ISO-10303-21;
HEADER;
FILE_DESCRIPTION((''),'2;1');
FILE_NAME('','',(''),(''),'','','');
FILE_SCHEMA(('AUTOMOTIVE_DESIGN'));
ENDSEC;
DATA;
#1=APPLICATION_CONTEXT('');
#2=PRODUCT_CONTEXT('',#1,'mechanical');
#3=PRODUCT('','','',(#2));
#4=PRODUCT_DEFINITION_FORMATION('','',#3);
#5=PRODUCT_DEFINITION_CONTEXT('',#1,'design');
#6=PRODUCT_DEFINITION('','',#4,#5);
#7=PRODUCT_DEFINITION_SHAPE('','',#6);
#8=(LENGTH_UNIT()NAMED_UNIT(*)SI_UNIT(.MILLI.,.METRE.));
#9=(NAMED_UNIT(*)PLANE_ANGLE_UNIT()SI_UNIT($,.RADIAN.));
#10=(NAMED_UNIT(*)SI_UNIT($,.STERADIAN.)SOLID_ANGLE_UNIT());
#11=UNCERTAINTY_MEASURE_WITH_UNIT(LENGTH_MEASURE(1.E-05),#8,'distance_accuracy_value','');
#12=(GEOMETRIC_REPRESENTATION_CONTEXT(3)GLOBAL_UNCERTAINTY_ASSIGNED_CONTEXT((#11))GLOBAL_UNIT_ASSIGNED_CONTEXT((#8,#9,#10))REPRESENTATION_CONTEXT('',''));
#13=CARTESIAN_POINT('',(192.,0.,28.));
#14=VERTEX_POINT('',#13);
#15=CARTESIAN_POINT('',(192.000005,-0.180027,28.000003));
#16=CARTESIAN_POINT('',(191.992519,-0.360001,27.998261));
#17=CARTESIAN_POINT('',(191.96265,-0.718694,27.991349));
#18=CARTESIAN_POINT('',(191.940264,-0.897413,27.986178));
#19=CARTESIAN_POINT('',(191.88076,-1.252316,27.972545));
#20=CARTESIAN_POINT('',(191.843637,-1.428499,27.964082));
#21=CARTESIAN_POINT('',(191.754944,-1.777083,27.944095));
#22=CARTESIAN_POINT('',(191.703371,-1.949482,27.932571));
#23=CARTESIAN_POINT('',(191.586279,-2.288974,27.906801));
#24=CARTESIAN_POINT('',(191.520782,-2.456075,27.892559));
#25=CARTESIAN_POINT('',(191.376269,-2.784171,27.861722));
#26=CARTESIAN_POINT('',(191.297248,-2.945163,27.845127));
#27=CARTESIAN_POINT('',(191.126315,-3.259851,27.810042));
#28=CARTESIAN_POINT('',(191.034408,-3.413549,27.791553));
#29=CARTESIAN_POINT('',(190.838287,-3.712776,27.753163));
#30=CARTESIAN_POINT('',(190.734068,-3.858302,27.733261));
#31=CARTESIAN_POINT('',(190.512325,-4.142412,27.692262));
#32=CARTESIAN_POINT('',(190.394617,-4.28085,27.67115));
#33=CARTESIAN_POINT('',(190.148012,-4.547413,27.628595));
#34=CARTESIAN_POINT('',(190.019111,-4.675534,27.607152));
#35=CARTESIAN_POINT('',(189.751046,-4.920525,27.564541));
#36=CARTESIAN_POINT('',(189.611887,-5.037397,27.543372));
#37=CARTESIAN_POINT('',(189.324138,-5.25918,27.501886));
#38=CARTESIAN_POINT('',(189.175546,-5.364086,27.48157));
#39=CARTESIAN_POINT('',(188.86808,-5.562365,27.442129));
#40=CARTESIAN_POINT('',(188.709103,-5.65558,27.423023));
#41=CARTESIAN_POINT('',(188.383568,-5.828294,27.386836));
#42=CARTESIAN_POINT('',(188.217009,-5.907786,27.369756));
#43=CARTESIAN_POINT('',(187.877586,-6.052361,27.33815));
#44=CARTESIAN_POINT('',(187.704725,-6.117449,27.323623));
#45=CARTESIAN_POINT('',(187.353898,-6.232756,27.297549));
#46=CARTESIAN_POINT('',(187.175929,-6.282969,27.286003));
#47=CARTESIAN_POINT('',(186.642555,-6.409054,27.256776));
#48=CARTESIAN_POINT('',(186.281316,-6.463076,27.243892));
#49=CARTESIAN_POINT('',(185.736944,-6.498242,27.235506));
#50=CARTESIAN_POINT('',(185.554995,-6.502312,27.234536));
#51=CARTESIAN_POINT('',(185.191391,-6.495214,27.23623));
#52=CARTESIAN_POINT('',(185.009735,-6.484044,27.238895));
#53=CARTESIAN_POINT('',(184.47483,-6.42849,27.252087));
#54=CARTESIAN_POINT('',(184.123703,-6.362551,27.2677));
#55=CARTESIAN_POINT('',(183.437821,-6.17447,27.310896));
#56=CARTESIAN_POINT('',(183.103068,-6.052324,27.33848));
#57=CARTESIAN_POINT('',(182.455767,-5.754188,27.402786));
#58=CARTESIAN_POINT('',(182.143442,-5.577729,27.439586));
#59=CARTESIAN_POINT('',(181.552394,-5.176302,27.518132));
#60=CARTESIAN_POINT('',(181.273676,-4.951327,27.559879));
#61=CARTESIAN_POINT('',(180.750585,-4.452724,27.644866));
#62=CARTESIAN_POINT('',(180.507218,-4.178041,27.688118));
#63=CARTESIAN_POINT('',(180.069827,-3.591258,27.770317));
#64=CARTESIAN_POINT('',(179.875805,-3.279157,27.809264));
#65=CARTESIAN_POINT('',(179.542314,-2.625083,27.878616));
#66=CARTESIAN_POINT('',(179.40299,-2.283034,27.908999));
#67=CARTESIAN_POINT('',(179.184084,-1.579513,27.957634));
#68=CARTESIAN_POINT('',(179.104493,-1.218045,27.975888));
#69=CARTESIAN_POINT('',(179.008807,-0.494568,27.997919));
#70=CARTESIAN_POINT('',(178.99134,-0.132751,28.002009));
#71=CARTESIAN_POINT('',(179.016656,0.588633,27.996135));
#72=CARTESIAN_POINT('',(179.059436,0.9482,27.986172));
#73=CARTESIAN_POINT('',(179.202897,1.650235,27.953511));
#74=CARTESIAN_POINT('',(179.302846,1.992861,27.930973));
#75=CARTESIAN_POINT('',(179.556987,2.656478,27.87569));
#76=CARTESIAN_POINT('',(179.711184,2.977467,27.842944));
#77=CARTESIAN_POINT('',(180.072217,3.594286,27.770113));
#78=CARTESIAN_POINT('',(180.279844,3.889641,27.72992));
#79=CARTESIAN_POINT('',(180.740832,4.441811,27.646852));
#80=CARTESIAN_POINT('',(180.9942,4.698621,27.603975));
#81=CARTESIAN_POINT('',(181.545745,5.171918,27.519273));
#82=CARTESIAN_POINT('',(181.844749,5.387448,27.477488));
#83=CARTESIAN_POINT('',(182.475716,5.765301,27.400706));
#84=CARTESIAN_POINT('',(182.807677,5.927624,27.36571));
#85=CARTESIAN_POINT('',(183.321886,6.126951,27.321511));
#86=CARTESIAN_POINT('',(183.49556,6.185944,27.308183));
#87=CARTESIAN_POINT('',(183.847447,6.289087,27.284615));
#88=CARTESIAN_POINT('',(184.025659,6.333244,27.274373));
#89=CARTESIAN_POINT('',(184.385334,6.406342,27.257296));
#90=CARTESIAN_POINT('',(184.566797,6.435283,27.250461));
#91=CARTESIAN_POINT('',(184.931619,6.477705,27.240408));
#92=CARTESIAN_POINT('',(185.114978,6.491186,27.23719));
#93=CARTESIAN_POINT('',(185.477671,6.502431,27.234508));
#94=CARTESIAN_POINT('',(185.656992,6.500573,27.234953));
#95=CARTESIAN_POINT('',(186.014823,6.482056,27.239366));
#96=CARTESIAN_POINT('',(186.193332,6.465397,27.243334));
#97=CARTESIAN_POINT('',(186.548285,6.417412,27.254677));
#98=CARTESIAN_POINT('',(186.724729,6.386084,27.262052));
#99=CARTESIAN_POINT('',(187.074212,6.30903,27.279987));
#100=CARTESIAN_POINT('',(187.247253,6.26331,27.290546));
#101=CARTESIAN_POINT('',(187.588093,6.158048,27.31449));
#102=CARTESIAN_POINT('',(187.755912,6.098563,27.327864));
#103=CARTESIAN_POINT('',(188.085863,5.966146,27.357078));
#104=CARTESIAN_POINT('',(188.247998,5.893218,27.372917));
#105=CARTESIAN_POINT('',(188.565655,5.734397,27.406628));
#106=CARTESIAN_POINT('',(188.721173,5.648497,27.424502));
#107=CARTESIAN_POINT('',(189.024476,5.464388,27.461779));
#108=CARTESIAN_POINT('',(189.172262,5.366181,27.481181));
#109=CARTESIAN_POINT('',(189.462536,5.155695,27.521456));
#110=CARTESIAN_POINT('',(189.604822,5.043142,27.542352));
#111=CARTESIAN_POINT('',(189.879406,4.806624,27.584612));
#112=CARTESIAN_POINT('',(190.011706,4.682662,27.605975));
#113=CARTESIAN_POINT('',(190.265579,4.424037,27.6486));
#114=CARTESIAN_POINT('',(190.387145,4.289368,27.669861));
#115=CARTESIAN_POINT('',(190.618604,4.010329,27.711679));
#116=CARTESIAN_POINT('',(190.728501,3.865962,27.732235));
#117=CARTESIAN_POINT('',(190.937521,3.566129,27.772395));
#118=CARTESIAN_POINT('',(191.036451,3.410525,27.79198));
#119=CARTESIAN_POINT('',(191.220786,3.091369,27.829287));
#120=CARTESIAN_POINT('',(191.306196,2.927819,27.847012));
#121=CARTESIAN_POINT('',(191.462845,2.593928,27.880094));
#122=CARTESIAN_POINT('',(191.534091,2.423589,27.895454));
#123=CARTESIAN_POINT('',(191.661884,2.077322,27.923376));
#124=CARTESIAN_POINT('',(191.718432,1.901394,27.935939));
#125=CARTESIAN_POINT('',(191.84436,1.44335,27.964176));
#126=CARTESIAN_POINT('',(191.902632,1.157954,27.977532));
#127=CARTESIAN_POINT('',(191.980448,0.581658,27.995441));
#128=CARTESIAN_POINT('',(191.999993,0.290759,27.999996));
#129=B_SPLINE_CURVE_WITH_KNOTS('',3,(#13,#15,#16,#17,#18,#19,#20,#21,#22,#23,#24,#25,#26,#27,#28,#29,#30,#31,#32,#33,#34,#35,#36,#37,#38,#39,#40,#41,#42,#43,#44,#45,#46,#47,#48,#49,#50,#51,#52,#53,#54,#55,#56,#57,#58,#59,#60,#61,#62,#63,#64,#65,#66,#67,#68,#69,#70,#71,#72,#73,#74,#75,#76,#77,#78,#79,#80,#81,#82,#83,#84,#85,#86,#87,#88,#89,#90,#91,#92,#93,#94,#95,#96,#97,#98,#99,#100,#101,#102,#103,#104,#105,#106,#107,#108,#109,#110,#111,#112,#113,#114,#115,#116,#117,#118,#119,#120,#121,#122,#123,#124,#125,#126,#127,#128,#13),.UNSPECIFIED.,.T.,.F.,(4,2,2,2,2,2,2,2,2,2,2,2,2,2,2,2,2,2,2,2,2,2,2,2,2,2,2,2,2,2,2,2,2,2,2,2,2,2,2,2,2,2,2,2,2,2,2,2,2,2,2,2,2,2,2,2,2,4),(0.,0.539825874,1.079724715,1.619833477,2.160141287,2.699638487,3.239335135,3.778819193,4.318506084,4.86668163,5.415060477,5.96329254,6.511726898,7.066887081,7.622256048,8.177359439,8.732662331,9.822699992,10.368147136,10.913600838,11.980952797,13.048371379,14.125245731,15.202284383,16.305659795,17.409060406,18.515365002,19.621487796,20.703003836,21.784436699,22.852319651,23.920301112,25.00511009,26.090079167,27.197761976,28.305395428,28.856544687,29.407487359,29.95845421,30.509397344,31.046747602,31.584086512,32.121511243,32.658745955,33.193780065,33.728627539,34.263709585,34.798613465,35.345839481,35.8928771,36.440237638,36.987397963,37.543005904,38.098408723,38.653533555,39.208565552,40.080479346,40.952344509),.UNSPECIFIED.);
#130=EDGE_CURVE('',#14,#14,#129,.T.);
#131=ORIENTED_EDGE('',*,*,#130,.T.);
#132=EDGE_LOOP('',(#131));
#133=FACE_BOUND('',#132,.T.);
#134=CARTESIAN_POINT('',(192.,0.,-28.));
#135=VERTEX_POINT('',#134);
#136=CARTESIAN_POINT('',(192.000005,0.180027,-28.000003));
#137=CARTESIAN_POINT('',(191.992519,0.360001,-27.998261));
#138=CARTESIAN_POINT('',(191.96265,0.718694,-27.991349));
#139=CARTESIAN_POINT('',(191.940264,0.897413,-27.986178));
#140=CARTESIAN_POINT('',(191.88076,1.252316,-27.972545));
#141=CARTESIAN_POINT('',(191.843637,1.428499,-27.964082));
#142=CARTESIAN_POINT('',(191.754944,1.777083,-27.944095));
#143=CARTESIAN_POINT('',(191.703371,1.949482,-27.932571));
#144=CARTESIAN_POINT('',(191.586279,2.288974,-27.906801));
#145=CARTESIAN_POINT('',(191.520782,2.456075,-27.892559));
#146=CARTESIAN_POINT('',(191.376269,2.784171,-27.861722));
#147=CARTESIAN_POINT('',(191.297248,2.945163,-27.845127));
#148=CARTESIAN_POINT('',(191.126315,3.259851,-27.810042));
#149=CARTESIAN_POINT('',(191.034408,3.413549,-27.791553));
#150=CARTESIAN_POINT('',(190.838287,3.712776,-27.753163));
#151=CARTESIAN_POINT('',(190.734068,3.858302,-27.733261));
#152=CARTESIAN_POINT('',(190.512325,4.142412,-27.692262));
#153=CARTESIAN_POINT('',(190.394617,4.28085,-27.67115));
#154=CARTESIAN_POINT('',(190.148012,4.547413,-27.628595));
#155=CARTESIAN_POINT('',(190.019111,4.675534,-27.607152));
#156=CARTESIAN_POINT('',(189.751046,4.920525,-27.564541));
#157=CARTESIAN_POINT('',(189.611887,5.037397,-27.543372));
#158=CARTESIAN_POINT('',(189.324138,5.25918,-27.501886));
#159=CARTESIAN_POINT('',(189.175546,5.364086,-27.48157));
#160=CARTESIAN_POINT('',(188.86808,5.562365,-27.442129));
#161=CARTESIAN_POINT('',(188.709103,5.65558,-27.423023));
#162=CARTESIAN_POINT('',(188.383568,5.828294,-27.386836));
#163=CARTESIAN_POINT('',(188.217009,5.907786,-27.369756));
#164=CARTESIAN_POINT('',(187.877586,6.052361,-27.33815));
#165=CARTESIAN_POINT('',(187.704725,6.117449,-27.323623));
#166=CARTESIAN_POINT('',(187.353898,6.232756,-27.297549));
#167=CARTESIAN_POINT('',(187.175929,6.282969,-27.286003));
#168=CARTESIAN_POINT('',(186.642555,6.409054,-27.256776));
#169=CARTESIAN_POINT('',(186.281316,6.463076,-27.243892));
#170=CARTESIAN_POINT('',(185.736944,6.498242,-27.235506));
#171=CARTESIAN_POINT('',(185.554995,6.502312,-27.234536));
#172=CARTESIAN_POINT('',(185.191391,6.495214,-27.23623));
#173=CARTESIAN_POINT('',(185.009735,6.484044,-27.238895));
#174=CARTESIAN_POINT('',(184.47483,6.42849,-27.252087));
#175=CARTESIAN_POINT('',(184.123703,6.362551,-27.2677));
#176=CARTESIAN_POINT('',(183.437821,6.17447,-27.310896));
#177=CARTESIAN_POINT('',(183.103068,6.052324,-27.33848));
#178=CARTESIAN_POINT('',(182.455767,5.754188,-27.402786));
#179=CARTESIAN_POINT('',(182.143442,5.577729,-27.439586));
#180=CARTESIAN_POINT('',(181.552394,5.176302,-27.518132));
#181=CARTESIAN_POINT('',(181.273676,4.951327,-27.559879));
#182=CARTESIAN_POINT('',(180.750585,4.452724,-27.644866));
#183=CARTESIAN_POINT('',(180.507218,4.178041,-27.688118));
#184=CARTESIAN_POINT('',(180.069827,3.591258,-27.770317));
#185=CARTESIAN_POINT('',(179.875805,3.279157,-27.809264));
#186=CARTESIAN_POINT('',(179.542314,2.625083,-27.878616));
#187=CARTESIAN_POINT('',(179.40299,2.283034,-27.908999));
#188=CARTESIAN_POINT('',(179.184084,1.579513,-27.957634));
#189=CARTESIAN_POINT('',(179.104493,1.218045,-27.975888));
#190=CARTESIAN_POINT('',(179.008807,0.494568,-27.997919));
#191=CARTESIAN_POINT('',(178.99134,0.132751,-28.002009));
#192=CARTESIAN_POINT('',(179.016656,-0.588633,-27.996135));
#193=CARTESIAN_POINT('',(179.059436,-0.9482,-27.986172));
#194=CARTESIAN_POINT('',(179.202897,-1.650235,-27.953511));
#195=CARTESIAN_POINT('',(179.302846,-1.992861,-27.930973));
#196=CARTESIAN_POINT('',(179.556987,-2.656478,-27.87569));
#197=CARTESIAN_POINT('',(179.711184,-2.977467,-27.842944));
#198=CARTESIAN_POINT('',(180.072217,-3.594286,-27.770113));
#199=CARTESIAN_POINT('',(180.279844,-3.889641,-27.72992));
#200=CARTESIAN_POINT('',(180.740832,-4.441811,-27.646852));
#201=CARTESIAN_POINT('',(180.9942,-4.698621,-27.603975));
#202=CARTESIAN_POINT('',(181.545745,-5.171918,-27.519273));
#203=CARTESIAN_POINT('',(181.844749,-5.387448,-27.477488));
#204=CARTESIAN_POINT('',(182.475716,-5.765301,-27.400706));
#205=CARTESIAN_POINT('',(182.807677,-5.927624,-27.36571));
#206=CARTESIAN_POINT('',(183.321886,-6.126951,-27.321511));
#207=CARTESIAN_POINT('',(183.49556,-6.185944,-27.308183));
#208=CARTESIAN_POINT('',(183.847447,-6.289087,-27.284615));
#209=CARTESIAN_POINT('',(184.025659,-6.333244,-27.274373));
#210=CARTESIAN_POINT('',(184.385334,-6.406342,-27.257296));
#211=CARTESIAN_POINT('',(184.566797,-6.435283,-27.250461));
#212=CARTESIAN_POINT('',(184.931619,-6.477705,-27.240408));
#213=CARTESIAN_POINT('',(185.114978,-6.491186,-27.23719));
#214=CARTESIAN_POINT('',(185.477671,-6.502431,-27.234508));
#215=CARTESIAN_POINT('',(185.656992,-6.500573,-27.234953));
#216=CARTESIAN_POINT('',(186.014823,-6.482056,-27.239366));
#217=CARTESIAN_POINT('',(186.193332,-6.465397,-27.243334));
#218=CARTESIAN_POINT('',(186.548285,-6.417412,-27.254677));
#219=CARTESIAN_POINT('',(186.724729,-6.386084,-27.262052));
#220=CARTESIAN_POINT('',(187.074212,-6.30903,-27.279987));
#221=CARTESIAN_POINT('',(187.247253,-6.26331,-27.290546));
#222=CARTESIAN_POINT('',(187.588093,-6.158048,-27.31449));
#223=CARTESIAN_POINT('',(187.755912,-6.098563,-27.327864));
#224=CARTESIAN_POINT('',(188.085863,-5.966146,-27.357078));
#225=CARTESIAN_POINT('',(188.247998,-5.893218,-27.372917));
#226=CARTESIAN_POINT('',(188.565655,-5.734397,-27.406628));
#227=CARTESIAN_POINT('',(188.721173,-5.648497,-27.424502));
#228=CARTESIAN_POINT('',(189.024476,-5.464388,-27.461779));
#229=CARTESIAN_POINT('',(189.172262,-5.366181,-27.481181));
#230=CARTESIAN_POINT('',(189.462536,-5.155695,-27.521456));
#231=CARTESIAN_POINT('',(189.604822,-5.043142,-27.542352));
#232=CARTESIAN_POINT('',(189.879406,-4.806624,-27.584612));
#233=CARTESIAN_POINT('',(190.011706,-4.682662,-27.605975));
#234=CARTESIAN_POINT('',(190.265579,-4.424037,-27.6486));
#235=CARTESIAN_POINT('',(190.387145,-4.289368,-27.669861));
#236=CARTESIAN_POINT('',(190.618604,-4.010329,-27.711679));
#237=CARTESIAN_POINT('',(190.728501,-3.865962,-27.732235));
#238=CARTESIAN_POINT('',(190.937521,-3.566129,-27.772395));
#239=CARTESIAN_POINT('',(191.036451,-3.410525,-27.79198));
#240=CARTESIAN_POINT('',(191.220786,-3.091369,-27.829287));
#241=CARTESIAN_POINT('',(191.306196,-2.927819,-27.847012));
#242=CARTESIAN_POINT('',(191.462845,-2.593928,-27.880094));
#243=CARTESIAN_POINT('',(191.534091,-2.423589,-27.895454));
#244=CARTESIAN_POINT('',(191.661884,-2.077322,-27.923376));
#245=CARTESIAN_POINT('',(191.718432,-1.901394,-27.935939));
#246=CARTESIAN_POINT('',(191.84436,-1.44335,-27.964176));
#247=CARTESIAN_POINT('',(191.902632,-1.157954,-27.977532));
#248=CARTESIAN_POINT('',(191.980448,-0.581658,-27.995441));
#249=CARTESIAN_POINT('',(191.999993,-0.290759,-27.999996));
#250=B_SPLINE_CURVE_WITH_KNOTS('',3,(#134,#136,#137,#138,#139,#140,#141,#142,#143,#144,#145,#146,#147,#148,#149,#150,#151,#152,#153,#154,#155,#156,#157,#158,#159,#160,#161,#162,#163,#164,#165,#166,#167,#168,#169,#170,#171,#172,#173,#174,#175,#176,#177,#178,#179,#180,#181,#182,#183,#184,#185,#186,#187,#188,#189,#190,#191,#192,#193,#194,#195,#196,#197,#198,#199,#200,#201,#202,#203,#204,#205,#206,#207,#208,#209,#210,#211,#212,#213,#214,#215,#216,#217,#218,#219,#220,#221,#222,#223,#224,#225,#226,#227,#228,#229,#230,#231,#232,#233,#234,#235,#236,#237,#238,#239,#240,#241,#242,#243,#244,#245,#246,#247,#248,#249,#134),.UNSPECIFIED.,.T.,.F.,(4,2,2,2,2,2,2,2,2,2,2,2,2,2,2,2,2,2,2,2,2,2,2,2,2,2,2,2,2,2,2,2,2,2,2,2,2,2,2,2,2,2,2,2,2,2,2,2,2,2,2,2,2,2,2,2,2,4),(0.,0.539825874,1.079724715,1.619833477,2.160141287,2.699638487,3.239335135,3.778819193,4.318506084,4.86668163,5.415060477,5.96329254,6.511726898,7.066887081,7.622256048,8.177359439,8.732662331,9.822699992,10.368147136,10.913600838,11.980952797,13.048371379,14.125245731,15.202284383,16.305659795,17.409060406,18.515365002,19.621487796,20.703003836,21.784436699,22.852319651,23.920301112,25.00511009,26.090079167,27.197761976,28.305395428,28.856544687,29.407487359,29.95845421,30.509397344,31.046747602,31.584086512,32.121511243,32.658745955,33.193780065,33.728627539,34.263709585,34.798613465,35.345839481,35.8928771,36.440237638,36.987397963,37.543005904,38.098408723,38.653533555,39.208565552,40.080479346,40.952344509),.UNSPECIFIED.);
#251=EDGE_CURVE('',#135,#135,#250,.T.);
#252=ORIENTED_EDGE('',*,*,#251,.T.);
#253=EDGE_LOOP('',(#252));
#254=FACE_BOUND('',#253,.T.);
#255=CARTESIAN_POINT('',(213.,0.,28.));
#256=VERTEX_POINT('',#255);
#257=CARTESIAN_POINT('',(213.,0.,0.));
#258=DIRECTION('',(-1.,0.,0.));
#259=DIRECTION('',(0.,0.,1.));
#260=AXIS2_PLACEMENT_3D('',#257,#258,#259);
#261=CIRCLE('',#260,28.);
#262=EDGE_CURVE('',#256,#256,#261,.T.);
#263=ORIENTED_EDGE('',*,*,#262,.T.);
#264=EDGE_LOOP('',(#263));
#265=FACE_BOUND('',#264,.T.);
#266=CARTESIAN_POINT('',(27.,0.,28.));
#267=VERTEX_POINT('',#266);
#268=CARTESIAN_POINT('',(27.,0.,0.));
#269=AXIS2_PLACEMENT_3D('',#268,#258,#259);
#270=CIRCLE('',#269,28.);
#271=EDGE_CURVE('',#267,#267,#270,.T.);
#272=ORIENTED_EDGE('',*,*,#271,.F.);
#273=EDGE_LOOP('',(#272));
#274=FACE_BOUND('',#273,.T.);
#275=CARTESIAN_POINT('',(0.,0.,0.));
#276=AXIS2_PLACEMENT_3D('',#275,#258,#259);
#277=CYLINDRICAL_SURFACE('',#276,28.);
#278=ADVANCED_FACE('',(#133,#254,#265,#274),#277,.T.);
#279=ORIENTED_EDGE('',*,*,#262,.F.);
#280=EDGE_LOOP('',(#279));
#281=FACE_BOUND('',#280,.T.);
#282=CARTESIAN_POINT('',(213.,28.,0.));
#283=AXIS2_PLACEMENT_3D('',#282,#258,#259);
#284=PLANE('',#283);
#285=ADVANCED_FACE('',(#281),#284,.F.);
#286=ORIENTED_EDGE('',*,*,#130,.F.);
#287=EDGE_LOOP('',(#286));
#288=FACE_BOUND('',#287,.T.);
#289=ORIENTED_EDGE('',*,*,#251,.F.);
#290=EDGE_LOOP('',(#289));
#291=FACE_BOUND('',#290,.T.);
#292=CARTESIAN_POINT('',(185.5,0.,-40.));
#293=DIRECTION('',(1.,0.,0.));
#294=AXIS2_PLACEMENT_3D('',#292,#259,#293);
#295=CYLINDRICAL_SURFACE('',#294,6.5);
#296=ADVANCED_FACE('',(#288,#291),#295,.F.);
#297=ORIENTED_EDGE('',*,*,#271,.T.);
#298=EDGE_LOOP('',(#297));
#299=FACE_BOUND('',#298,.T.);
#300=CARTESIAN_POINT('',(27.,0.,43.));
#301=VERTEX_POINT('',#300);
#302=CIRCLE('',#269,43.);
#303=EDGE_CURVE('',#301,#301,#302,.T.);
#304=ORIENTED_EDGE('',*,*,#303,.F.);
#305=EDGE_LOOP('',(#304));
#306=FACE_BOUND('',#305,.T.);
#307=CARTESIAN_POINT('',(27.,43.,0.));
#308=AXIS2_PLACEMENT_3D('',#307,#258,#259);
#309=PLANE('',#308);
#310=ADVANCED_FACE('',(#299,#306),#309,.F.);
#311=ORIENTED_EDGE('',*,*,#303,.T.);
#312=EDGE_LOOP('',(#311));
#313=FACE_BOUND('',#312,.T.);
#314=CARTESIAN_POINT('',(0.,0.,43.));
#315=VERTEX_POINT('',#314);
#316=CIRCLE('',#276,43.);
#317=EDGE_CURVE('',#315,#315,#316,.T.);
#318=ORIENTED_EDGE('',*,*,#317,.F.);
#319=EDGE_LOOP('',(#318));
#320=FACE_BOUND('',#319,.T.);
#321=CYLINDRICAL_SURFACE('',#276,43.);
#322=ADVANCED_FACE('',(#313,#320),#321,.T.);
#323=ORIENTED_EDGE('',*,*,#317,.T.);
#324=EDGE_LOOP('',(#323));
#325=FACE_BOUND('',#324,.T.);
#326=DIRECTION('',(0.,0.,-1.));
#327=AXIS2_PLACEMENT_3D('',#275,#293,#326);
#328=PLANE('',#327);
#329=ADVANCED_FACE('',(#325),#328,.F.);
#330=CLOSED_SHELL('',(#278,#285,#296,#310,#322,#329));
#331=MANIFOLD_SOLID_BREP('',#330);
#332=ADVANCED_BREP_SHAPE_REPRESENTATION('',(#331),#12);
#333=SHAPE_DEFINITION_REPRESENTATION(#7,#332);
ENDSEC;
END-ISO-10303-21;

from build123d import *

# Parameters (mm, degrees)
SKETCH3_R          = 6.5
CUT_EXTRUDE1_DEPTH = 40


with BuildPart() as part:
    # Sketch2 → Revolve1 (revolve)
    with BuildSketch(Plane.XY, mode=Mode.PRIVATE) as revolve1_sk:
        Polygon((0, 0), (0, 43), (27, 43), (27, 28), (213, 28), (213, 0), align=None)
    revolve(revolve1_sk.sketch.rotate(Axis((0, 0, 0), (1, 0, 0)), 90), axis=Axis((0, 0, 0), (1, 0, 0)))

    # Sketch3 → Cut-Extrude1 (cut, symmetric)
    with BuildSketch(Plane.XY):
        with Locations((185.5, 0)):
            Circle(SKETCH3_R)
    extrude(amount=CUT_EXTRUDE1_DEPTH, both=True, mode=Mode.SUBTRACT)


solid = part.part
